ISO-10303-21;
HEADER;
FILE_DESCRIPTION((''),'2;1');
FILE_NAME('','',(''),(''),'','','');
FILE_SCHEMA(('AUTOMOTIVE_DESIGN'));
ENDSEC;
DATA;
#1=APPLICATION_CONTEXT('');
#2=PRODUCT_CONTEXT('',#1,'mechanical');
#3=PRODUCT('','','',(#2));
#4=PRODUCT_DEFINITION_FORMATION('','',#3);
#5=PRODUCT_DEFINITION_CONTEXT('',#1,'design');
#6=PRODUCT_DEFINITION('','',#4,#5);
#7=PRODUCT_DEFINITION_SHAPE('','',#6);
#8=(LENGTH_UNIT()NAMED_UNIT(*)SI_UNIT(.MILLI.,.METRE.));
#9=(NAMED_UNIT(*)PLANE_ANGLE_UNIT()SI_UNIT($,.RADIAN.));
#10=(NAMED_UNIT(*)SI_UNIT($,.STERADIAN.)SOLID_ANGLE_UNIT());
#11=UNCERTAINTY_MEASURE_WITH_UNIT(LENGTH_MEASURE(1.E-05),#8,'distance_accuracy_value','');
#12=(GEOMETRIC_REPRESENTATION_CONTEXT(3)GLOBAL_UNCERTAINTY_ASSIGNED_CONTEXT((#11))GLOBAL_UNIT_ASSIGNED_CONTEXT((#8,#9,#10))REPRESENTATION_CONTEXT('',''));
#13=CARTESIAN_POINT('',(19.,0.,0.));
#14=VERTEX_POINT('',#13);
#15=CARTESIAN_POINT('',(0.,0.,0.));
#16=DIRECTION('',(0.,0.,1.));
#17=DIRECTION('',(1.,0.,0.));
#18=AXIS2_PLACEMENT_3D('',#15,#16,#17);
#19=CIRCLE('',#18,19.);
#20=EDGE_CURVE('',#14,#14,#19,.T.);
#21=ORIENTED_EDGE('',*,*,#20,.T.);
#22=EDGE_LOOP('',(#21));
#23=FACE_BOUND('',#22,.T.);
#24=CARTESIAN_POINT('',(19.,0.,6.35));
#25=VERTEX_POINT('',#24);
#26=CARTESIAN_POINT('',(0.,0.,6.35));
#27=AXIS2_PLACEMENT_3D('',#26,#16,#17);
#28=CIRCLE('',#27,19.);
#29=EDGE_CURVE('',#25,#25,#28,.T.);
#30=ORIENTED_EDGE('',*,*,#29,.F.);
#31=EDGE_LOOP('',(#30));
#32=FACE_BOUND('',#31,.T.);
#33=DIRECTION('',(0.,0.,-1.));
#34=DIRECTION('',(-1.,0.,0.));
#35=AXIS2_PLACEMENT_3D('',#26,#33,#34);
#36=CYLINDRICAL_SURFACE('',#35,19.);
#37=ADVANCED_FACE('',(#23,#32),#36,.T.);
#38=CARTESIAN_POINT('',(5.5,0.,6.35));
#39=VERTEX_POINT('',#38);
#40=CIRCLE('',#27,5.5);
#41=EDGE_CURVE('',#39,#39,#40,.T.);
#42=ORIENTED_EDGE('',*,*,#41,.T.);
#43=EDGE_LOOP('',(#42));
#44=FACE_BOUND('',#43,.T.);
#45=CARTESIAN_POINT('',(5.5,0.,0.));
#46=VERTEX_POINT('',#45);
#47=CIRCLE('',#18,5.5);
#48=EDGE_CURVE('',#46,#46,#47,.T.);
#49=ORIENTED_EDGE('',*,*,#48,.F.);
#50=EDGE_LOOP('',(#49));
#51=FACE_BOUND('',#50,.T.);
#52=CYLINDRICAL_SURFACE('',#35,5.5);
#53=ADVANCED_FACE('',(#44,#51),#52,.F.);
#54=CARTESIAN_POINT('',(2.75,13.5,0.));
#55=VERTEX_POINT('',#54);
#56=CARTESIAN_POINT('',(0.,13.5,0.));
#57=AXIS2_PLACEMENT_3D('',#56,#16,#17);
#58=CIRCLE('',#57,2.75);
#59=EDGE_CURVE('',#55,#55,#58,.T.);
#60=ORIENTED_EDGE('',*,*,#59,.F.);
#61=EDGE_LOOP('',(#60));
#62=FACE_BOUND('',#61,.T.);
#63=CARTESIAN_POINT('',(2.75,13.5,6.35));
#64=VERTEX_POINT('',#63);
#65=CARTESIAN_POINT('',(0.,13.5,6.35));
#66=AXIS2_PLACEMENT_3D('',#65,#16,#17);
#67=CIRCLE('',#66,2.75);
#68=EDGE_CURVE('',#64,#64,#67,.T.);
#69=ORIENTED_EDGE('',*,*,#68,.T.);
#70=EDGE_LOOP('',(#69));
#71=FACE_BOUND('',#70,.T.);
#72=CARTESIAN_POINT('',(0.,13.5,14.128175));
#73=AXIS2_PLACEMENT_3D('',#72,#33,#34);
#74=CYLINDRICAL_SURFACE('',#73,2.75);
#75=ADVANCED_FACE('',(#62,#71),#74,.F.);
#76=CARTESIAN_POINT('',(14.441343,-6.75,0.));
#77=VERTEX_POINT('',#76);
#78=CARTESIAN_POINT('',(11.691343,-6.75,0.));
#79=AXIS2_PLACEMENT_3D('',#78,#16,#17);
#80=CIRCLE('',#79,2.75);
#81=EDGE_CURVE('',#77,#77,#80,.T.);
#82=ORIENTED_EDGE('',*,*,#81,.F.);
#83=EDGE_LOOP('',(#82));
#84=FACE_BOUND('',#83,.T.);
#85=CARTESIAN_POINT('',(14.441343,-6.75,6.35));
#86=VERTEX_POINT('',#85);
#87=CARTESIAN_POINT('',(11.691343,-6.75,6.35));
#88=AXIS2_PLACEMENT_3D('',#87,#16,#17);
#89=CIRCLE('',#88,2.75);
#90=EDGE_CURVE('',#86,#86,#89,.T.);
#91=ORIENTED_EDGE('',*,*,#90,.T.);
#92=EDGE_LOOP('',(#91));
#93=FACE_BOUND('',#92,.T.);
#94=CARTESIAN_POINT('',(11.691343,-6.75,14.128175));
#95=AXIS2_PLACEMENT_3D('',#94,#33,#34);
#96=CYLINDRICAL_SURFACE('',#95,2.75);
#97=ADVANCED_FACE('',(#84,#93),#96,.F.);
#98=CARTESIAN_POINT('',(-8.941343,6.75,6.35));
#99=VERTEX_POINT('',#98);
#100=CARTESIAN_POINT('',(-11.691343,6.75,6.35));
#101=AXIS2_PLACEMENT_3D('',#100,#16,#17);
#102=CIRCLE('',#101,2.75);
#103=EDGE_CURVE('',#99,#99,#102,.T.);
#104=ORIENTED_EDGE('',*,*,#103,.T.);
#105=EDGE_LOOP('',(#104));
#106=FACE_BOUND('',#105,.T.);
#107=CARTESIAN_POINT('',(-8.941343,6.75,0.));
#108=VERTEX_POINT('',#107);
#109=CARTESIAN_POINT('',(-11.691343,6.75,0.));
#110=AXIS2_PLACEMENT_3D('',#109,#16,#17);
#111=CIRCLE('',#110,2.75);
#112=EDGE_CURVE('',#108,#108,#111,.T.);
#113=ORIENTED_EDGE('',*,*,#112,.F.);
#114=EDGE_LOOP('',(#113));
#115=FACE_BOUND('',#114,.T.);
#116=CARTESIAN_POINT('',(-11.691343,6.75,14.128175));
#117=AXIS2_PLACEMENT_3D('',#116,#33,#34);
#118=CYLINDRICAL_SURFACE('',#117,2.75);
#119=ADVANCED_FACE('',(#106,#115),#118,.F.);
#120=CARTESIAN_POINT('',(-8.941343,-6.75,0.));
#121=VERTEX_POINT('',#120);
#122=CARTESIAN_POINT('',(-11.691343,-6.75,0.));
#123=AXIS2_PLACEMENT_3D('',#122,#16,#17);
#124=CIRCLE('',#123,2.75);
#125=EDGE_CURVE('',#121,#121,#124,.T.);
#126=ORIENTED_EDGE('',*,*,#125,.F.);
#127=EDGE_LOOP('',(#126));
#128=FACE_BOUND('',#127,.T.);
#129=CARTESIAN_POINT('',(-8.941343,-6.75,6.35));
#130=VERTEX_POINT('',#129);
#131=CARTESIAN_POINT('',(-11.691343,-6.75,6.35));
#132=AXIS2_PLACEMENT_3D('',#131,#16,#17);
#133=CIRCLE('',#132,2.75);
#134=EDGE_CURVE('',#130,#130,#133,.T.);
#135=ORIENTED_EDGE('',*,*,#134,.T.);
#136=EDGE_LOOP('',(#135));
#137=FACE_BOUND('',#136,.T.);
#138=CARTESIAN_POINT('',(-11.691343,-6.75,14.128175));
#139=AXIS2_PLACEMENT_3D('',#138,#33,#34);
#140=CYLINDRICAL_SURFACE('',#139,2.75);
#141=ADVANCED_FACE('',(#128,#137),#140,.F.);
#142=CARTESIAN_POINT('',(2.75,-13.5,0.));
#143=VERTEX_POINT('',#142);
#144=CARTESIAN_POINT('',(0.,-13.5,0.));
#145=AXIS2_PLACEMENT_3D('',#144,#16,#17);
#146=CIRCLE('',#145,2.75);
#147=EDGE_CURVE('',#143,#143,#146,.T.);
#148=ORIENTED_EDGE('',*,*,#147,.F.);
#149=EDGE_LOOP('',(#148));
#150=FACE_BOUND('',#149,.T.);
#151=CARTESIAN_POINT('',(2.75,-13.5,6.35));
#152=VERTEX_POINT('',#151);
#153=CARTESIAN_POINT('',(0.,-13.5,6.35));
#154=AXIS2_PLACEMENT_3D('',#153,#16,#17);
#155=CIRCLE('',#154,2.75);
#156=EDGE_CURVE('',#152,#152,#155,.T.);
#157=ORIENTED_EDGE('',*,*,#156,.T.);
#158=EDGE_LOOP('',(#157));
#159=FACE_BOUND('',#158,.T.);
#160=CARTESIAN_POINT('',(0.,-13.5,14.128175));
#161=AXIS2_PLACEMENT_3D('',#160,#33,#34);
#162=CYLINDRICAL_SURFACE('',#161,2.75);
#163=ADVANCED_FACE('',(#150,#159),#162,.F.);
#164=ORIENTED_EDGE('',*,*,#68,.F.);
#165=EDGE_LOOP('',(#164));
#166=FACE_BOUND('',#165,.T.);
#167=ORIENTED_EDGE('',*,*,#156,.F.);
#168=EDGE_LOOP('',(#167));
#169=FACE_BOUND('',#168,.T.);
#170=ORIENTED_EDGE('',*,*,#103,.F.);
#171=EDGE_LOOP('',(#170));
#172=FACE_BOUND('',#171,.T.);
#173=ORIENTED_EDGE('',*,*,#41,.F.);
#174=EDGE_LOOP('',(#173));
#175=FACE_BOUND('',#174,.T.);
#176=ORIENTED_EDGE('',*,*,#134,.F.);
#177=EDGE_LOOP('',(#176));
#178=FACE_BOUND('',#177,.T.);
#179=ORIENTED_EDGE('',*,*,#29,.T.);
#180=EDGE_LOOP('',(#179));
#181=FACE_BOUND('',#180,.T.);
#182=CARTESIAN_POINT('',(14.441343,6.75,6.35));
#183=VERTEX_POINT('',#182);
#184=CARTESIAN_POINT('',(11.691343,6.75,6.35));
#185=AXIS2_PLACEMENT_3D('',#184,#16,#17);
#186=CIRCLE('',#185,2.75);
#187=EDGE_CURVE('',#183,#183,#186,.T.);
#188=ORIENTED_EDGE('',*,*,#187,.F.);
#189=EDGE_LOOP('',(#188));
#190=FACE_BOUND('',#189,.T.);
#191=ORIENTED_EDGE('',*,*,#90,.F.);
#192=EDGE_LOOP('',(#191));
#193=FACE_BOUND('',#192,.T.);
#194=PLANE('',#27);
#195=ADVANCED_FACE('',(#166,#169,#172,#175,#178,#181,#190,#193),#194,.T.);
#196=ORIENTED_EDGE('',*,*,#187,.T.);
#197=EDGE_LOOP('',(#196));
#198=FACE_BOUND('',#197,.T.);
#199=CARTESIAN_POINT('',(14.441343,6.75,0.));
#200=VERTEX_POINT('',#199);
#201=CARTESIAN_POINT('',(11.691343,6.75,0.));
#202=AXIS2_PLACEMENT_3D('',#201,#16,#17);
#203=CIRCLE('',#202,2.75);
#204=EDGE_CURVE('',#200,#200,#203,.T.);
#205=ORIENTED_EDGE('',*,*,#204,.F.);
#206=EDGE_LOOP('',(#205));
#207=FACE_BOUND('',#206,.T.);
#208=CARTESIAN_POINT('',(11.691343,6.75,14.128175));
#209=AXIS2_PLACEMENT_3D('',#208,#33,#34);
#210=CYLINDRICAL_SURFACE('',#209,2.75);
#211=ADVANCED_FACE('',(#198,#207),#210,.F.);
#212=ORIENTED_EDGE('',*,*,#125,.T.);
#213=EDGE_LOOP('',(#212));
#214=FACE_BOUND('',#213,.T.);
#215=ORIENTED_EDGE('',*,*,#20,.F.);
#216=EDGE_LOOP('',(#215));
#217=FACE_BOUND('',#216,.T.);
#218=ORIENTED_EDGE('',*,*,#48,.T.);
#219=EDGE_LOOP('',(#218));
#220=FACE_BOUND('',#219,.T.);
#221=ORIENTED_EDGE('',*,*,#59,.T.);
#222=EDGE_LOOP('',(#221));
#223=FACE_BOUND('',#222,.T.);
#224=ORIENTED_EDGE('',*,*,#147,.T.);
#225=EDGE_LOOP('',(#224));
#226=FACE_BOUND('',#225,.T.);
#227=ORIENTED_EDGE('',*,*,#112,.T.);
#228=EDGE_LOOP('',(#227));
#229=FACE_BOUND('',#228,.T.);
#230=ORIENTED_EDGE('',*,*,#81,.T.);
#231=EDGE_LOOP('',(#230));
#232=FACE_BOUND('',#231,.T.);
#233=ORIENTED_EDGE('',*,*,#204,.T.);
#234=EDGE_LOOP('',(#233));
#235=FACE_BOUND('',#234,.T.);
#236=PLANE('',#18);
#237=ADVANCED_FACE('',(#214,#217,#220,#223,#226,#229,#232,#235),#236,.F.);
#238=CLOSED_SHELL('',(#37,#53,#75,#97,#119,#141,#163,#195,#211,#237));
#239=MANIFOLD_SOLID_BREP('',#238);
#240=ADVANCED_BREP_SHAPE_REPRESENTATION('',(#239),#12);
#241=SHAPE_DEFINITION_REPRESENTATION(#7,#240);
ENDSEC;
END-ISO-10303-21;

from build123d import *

# Parameters (mm, degrees)
SKETCH1_R         = 19
SKETCH1_R_2       = 5.5
EXTRUDE_1_4_DEPTH = 6.35
SKETCH2_R         = 2.75
M5_THROUGH_DEPTH  = 6.35


with BuildPart() as part:
    # Sketch1 → 1/4 (new body)
    with BuildSketch(Plane.XY):
        Circle(SKETCH1_R)
        Circle(SKETCH1_R_2, mode=Mode.SUBTRACT)
    extrude(amount=EXTRUDE_1_4_DEPTH)

    # Sketch2 → M5_through (cut)
    with BuildSketch(Plane.XY):
        with Locations((0, 13.5)):
            Circle(SKETCH2_R)
        with Locations((11.691342951, 6.75)):
            Circle(SKETCH2_R)
        with Locations((11.691342951, -6.75)):
            Circle(SKETCH2_R)
        with Locations((0, -13.5)):
            Circle(SKETCH2_R)
        with Locations((-11.691342951, -6.75)):
            Circle(SKETCH2_R)
        with Locations((-11.691342951, 6.75)):
            Circle(SKETCH2_R)
    extrude(amount=M5_THROUGH_DEPTH, mode=Mode.SUBTRACT)


solid = part.part
